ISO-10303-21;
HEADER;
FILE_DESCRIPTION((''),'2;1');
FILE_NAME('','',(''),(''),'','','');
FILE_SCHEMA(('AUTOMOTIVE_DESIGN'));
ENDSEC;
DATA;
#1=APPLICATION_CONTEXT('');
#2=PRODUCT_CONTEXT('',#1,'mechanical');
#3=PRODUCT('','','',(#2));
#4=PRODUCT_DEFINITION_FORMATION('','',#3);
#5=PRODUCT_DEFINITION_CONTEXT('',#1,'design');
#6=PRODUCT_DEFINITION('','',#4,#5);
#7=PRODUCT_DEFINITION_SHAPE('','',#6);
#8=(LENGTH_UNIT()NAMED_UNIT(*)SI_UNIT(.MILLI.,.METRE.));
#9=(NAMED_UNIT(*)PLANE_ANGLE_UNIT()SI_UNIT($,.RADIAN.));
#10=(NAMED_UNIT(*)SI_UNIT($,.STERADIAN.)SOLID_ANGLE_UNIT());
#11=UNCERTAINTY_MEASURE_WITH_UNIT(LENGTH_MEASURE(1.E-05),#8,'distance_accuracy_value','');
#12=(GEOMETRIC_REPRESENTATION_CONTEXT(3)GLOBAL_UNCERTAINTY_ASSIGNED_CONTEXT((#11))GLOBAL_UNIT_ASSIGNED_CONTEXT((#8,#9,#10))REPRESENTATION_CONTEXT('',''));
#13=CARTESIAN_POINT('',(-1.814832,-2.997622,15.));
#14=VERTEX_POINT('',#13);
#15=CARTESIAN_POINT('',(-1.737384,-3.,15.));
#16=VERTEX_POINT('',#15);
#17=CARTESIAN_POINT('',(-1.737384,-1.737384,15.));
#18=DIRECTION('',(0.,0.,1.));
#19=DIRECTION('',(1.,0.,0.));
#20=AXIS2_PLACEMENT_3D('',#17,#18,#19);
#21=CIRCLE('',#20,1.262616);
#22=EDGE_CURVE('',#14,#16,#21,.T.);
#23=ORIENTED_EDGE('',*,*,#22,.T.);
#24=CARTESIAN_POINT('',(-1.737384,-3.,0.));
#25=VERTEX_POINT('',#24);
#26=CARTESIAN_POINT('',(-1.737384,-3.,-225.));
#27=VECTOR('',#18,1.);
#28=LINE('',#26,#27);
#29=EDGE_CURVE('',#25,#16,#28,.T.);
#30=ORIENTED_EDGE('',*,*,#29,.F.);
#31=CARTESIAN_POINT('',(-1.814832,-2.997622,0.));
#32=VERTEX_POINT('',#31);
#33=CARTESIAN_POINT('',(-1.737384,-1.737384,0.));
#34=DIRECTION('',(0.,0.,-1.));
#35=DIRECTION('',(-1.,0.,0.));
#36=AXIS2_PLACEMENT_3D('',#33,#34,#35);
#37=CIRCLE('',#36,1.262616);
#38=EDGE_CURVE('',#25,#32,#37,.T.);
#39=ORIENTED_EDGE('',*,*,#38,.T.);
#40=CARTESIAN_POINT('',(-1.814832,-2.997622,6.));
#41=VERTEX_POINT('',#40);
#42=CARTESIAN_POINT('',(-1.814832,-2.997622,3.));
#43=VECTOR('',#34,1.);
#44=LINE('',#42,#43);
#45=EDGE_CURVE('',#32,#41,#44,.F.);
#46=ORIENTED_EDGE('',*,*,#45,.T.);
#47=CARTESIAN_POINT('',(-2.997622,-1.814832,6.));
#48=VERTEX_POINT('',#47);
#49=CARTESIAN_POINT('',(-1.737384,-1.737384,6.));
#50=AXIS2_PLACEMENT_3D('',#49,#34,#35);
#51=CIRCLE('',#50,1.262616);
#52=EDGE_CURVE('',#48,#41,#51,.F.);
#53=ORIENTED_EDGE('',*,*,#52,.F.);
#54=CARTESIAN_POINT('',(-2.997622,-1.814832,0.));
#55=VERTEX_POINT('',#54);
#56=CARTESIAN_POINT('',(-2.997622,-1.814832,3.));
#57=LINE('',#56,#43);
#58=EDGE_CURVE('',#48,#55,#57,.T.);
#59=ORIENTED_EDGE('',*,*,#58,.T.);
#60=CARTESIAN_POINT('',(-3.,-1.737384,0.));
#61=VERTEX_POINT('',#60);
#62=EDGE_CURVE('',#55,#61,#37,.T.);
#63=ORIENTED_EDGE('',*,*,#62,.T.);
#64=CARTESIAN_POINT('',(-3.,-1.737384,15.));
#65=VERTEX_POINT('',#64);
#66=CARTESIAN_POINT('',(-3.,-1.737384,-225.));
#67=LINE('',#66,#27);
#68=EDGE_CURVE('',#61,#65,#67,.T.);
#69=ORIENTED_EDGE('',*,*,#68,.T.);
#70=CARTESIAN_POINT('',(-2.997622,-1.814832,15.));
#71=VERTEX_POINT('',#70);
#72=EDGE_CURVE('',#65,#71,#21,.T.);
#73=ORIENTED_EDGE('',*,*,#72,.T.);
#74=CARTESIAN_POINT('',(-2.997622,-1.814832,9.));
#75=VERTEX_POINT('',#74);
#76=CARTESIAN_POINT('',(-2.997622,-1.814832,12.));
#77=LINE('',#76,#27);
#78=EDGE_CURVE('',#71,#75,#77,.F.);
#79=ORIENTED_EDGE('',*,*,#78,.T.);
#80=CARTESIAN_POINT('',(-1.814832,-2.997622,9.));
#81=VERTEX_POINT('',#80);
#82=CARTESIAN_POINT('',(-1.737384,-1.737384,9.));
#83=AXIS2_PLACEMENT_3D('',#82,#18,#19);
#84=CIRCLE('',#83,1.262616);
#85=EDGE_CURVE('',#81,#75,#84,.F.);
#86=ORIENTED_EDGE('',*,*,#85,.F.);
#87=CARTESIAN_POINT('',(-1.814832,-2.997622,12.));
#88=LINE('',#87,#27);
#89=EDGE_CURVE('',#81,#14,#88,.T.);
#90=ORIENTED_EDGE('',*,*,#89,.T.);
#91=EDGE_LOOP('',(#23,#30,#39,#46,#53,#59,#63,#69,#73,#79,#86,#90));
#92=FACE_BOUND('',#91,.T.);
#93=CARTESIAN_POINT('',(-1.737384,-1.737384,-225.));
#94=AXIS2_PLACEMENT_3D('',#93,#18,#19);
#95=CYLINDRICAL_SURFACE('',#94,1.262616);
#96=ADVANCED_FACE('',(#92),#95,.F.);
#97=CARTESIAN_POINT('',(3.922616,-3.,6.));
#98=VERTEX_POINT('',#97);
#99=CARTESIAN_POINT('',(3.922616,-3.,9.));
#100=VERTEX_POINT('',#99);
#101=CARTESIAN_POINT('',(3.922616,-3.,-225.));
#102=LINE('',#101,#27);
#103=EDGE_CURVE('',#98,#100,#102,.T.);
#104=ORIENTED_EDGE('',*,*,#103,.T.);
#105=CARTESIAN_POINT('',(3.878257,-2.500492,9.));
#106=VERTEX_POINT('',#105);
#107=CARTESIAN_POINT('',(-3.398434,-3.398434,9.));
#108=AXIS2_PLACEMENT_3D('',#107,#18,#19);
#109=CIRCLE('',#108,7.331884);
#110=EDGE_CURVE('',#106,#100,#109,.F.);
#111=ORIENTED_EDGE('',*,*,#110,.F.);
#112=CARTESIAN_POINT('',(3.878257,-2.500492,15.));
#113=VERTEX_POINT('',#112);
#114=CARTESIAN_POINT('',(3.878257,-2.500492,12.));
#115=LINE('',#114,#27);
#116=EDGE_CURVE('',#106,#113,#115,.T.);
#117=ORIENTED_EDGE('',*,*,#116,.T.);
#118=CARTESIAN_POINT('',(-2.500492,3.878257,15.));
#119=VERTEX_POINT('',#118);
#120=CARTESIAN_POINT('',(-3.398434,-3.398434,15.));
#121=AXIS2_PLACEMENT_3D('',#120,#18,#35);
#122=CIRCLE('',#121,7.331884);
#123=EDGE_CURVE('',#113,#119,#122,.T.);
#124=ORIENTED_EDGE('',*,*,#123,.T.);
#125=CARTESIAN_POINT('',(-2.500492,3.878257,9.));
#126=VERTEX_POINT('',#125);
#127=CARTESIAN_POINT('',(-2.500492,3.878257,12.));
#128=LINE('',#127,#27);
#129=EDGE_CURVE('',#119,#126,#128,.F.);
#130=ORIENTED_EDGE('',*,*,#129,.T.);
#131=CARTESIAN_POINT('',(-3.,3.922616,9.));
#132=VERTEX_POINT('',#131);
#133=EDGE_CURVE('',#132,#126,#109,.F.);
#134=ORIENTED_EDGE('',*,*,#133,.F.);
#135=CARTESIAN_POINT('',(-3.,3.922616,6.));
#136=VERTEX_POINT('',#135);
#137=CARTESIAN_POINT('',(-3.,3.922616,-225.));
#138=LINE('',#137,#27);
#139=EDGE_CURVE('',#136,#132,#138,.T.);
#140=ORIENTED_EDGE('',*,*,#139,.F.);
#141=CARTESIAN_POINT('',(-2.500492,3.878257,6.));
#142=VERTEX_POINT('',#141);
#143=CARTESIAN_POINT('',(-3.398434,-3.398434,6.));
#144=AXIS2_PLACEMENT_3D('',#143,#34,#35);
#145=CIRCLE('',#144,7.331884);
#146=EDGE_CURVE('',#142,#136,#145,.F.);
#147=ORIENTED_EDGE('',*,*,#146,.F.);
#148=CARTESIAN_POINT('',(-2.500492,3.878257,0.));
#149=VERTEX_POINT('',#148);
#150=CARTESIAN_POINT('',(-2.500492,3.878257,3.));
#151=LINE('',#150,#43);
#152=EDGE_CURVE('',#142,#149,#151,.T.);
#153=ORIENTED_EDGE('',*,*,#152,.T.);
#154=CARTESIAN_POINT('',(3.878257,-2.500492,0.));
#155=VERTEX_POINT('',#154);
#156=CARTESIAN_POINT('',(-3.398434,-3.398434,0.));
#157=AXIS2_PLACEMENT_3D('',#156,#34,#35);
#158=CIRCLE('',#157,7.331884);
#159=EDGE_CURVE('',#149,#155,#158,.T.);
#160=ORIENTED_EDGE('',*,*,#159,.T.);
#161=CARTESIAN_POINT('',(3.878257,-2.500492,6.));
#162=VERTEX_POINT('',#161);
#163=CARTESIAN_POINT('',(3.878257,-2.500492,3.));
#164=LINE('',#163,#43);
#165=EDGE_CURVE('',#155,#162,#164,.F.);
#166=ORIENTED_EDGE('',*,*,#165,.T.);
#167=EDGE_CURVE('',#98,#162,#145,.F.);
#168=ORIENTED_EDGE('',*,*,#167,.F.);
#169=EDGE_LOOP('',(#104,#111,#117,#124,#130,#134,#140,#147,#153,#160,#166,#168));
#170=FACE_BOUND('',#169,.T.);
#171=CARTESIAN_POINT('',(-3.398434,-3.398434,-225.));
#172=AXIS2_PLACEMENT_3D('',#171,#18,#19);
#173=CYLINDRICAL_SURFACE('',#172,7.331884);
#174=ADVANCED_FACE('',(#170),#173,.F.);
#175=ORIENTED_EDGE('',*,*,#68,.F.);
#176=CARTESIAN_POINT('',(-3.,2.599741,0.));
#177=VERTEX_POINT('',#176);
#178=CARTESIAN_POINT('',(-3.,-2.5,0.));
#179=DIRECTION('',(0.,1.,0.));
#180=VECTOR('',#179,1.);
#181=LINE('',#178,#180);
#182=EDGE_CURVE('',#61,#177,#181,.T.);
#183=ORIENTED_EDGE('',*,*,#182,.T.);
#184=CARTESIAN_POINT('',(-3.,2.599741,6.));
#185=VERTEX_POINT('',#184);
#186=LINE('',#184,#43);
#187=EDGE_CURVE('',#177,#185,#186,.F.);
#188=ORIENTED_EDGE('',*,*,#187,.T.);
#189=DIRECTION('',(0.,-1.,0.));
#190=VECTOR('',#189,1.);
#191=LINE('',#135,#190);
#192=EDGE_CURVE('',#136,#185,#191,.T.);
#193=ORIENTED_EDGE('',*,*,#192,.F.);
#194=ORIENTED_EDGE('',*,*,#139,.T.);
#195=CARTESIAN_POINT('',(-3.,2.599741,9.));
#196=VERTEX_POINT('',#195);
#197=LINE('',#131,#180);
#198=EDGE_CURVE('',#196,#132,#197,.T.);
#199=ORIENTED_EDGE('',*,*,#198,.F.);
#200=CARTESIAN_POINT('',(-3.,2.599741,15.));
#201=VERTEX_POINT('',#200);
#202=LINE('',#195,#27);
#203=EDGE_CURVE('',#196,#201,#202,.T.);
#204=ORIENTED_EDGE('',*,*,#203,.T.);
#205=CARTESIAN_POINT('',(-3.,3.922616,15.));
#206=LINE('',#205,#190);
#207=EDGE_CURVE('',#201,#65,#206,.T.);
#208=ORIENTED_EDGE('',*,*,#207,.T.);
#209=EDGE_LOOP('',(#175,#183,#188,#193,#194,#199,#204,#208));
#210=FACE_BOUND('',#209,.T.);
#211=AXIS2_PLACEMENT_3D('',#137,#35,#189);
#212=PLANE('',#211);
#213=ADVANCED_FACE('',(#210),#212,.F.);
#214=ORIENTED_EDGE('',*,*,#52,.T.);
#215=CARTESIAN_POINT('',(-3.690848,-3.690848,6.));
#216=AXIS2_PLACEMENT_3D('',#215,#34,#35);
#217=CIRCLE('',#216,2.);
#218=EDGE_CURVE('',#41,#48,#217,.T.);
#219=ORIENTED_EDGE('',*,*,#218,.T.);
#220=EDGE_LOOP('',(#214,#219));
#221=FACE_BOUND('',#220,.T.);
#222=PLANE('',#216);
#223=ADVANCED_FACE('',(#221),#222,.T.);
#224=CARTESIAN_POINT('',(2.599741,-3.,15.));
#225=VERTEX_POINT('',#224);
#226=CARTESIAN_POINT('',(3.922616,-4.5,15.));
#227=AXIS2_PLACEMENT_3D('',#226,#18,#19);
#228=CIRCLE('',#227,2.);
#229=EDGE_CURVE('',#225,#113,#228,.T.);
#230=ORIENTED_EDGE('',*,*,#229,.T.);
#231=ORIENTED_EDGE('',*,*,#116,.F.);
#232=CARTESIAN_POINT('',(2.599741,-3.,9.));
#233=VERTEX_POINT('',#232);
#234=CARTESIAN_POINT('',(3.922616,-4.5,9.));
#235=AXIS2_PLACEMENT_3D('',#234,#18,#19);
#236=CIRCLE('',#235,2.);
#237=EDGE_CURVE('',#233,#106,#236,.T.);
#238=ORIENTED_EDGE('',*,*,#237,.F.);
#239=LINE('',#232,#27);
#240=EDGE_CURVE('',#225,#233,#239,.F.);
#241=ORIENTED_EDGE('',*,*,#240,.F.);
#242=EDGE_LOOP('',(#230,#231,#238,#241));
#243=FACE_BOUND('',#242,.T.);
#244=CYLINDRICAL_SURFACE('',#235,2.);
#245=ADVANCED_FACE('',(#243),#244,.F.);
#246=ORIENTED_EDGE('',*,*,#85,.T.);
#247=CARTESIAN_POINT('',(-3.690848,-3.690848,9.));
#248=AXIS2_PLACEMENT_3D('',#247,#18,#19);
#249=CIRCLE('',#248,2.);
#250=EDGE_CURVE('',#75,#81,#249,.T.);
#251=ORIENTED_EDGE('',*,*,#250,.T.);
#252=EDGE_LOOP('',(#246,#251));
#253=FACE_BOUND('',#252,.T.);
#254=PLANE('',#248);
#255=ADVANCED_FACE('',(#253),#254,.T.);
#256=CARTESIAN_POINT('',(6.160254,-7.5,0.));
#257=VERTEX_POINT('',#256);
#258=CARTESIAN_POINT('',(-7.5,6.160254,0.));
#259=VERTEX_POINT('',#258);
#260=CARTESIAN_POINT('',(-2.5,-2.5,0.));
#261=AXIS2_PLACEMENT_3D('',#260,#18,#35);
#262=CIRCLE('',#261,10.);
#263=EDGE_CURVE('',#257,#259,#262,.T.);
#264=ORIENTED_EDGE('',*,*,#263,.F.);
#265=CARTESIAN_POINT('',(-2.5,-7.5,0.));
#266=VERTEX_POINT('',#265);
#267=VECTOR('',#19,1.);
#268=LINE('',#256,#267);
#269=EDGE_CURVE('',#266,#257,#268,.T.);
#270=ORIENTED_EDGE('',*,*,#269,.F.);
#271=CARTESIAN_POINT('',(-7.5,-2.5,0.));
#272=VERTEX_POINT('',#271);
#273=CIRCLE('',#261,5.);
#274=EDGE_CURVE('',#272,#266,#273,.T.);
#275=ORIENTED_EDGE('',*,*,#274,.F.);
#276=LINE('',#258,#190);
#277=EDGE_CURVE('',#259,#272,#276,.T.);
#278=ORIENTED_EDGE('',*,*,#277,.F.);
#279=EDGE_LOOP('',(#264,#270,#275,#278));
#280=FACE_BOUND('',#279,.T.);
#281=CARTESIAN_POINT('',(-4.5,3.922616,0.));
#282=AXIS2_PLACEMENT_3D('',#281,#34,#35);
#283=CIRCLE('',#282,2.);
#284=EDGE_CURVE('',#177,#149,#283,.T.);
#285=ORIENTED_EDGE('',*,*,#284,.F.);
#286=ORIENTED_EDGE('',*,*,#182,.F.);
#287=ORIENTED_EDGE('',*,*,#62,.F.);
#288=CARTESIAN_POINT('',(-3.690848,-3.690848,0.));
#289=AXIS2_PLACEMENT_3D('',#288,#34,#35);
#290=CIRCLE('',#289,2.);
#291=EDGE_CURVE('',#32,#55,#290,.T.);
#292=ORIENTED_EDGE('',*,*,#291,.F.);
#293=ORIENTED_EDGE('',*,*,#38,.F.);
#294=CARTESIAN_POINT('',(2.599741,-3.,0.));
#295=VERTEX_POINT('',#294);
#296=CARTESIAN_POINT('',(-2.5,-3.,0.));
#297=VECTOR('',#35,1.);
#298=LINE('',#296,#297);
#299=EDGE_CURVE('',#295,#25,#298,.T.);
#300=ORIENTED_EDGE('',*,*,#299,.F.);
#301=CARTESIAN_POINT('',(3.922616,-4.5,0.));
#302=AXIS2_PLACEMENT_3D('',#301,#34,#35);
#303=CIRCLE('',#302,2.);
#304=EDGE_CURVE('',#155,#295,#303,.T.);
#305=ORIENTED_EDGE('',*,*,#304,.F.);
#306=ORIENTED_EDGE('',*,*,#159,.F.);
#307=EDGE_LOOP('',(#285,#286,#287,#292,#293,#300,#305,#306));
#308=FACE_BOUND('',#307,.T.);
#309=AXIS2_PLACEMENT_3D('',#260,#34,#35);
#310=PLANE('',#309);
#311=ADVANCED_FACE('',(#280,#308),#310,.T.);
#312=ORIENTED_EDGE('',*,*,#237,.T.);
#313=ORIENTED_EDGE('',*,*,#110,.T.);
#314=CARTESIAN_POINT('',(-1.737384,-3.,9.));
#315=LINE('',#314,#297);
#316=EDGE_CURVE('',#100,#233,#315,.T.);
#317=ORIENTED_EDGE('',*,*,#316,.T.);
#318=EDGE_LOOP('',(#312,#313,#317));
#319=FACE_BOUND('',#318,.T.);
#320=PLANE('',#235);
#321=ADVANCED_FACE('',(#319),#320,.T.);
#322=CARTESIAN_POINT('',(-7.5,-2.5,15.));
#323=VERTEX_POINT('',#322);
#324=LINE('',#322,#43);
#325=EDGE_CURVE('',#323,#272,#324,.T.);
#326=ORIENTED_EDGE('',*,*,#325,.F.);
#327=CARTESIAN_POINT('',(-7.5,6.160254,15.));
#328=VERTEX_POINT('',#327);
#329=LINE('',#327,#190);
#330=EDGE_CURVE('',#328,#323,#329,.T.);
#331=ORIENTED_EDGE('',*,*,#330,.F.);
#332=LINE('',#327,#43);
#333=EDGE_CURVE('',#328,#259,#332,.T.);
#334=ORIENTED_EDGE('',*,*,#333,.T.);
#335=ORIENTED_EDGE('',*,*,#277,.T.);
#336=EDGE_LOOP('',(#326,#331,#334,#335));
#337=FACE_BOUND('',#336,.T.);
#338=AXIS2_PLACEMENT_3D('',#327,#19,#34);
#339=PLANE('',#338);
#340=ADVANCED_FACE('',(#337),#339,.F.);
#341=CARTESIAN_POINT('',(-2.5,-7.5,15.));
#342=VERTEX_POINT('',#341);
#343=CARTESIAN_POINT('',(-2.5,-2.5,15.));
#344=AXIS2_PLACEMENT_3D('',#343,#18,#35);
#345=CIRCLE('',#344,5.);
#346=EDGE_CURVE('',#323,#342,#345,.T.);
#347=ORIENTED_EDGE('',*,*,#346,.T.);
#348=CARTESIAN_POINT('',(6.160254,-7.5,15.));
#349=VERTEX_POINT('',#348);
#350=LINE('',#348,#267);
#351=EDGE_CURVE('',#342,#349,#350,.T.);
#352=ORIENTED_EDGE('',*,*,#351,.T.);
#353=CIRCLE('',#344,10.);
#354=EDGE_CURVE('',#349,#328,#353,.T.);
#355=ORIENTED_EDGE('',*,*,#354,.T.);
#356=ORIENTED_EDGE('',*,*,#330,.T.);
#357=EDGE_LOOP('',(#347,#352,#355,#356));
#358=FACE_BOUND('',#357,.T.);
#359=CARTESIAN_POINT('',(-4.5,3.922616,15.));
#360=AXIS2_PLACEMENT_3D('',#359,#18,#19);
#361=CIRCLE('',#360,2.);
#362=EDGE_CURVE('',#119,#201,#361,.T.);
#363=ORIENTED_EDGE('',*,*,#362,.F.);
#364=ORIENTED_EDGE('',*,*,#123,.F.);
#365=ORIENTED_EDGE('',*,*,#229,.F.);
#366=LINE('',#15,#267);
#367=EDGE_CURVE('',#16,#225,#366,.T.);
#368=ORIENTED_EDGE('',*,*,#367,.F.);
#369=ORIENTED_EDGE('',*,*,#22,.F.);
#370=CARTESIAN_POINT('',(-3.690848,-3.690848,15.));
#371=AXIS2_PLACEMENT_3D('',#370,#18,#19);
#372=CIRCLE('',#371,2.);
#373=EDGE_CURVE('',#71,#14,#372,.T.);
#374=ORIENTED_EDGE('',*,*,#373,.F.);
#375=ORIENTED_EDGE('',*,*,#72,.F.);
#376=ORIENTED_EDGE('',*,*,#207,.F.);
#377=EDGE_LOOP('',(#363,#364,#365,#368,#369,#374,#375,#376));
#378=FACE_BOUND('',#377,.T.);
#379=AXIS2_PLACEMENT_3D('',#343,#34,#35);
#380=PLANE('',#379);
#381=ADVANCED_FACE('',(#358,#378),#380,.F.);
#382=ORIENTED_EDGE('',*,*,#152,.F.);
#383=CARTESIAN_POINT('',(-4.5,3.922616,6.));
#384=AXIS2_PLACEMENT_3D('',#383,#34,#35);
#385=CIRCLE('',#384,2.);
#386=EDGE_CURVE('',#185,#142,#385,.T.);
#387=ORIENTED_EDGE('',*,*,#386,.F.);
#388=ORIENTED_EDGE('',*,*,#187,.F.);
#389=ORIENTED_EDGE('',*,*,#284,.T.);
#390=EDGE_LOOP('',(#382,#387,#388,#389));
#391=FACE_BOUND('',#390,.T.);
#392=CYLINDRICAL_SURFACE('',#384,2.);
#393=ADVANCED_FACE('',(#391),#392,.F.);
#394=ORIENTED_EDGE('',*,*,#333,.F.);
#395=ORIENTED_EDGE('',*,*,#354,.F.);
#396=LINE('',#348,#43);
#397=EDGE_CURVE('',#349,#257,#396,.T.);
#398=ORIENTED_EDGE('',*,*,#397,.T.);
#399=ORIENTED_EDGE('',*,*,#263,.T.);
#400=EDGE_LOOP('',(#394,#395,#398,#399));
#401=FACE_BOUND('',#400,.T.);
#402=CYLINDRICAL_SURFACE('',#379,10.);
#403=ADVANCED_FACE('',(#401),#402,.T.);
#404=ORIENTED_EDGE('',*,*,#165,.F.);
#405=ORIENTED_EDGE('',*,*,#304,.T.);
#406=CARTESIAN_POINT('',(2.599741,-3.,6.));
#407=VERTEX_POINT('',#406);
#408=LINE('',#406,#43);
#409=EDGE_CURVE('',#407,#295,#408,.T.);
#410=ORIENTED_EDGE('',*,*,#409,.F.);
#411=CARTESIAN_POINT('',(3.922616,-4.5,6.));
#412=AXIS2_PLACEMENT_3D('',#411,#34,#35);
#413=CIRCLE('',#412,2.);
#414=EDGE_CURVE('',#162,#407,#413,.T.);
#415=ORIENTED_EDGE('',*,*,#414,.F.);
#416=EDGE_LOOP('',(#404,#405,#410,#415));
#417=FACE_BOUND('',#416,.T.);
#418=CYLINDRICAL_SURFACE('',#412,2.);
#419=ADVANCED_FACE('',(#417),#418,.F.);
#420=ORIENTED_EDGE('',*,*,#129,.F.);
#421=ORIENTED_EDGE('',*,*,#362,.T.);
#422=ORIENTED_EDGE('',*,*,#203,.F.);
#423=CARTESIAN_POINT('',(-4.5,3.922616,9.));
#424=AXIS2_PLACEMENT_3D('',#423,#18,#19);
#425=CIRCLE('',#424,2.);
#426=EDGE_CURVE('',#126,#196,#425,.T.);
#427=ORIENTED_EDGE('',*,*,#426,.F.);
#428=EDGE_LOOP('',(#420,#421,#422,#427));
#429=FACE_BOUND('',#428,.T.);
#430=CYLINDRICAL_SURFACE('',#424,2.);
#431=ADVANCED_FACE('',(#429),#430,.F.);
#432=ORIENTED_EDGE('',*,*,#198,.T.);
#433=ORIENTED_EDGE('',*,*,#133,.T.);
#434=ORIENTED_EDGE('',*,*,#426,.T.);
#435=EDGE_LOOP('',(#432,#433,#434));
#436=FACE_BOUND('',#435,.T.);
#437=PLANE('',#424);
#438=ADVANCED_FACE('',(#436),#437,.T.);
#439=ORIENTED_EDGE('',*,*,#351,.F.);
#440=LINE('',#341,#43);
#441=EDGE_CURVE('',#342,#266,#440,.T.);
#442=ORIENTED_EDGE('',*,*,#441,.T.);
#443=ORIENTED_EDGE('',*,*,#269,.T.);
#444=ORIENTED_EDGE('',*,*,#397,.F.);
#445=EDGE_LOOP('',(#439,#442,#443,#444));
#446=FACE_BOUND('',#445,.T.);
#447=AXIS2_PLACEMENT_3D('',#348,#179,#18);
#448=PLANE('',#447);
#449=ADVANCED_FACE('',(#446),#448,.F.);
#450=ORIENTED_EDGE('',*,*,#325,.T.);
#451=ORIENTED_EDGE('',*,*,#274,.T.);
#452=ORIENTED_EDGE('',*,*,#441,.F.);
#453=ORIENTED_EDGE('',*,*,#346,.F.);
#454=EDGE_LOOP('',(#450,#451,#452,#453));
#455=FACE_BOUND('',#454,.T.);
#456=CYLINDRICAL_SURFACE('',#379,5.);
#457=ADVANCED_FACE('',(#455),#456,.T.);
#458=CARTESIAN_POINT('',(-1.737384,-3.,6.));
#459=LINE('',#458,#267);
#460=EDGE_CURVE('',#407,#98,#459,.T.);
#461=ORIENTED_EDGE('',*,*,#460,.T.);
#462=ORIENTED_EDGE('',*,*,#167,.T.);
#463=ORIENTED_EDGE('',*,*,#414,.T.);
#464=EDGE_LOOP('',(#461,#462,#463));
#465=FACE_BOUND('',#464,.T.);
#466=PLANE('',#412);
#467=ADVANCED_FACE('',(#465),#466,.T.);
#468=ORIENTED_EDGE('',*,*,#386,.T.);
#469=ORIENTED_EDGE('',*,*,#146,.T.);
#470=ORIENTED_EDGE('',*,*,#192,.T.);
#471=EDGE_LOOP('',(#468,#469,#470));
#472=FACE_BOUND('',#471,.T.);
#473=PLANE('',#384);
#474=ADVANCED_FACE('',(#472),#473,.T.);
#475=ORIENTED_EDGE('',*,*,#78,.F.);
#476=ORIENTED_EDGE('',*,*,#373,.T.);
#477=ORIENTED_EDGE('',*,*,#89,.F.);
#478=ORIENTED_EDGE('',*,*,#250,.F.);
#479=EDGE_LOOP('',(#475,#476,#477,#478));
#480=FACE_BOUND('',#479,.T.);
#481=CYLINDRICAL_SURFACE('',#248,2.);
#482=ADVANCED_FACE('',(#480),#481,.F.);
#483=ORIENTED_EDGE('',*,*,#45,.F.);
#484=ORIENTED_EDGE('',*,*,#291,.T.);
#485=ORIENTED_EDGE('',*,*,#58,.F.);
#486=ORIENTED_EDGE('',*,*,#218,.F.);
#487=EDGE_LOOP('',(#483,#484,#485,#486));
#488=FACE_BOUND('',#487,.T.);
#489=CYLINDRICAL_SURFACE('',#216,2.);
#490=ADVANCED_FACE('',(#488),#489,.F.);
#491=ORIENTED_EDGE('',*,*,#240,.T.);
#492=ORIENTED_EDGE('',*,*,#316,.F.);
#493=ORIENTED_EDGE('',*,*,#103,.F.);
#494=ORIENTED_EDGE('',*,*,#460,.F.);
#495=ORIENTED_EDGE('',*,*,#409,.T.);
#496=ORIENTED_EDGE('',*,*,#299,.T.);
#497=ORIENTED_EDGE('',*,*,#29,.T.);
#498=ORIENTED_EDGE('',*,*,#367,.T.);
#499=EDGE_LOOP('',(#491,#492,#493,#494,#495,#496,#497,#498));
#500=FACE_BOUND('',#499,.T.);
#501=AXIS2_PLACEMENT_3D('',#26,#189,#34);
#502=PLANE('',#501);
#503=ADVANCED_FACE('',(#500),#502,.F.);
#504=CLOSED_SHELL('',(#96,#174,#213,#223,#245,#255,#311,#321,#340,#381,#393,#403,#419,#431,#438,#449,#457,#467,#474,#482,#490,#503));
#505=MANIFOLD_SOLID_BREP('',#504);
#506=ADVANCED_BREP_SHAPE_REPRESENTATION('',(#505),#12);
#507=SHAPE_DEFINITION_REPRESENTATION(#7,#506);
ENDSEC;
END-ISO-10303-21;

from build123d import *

# Parameters (mm, degrees)
RESSALTO_EXTRUS_O1_DEPTH = 15
CORTE_EXTRUS_O1_DEPTH    = 240
ESBO_O4_R                = 2
CORTE_EXTRUS_O3_DEPTH    = 6
CORTE_EXTRUS_O4_START    = -6
ESBO_O6_R                = 2
CORTE_EXTRUS_O4_DEPTH    = 6


with BuildPart() as part:
    # Esboço1 → Ressalto-extrusão1 (new body)
    with BuildSketch(Plane.XY):
        with BuildLine():
            Line((-7.5, 6.160254038), (-7.5, -2.5))
            ThreePointArc((-7.5, -2.5), (-6.035533906, -6.035533906), (-2.5, -7.5))
            Line((-2.5, -7.5), (6.160254038, -7.5))
            ThreePointArc((6.160254038, -7.5), (4.571067812, 4.571067812), (-7.5, 6.160254038))
        make_face()
    extrude(amount=RESSALTO_EXTRUS_O1_DEPTH)

    # Esboço2 → Corte-extrusão1 (cut)
    with BuildSketch(Plane.XY.offset(15)):
        with BuildLine():
            Line((-3, 3.922616289), (-3, -1.737383711))
            ThreePointArc((-3, -1.737383711), (-2.630188251, -2.630188251), (-1.737383711, -3))
            Line((-1.737383711, -3), (3.922616289, -3))
            ThreePointArc((3.922616289, -3), (1.78599112, 1.78599112), (-3, 3.922616289))
        make_face()
    extrude(amount=-CORTE_EXTRUS_O1_DEPTH, mode=Mode.SUBTRACT)

    # Esboço4 → Corte-extrusão3 (cut)
    with BuildSketch(Plane.XY.offset(15)):
        with Locations((-3.690848423, -3.690848423)):
            Circle(ESBO_O4_R)
        with Locations((-4.5, 3.922616289)):
            Circle(ESBO_O4_R)
        with Locations((3.922616289, -4.5)):
            Circle(ESBO_O4_R)
    extrude(amount=-CORTE_EXTRUS_O3_DEPTH, mode=Mode.SUBTRACT)

    # Esboço6 → Corte-extrusão4 (cut)
    with BuildSketch(Plane(origin=(0, 0, 0), x_dir=(-1, 0, 0), z_dir=(0, 0, -1)).offset(CORTE_EXTRUS_O4_START)):
        with Locations((4.5, 3.922616289)):
            Circle(ESBO_O6_R)
        with Locations((-3.922616289, -4.5)):
            Circle(ESBO_O6_R)
        with Locations((3.690848423, -3.690848423)):
            Circle(ESBO_O6_R)
    extrude(amount=CORTE_EXTRUS_O4_DEPTH, mode=Mode.SUBTRACT)


solid = part.part
